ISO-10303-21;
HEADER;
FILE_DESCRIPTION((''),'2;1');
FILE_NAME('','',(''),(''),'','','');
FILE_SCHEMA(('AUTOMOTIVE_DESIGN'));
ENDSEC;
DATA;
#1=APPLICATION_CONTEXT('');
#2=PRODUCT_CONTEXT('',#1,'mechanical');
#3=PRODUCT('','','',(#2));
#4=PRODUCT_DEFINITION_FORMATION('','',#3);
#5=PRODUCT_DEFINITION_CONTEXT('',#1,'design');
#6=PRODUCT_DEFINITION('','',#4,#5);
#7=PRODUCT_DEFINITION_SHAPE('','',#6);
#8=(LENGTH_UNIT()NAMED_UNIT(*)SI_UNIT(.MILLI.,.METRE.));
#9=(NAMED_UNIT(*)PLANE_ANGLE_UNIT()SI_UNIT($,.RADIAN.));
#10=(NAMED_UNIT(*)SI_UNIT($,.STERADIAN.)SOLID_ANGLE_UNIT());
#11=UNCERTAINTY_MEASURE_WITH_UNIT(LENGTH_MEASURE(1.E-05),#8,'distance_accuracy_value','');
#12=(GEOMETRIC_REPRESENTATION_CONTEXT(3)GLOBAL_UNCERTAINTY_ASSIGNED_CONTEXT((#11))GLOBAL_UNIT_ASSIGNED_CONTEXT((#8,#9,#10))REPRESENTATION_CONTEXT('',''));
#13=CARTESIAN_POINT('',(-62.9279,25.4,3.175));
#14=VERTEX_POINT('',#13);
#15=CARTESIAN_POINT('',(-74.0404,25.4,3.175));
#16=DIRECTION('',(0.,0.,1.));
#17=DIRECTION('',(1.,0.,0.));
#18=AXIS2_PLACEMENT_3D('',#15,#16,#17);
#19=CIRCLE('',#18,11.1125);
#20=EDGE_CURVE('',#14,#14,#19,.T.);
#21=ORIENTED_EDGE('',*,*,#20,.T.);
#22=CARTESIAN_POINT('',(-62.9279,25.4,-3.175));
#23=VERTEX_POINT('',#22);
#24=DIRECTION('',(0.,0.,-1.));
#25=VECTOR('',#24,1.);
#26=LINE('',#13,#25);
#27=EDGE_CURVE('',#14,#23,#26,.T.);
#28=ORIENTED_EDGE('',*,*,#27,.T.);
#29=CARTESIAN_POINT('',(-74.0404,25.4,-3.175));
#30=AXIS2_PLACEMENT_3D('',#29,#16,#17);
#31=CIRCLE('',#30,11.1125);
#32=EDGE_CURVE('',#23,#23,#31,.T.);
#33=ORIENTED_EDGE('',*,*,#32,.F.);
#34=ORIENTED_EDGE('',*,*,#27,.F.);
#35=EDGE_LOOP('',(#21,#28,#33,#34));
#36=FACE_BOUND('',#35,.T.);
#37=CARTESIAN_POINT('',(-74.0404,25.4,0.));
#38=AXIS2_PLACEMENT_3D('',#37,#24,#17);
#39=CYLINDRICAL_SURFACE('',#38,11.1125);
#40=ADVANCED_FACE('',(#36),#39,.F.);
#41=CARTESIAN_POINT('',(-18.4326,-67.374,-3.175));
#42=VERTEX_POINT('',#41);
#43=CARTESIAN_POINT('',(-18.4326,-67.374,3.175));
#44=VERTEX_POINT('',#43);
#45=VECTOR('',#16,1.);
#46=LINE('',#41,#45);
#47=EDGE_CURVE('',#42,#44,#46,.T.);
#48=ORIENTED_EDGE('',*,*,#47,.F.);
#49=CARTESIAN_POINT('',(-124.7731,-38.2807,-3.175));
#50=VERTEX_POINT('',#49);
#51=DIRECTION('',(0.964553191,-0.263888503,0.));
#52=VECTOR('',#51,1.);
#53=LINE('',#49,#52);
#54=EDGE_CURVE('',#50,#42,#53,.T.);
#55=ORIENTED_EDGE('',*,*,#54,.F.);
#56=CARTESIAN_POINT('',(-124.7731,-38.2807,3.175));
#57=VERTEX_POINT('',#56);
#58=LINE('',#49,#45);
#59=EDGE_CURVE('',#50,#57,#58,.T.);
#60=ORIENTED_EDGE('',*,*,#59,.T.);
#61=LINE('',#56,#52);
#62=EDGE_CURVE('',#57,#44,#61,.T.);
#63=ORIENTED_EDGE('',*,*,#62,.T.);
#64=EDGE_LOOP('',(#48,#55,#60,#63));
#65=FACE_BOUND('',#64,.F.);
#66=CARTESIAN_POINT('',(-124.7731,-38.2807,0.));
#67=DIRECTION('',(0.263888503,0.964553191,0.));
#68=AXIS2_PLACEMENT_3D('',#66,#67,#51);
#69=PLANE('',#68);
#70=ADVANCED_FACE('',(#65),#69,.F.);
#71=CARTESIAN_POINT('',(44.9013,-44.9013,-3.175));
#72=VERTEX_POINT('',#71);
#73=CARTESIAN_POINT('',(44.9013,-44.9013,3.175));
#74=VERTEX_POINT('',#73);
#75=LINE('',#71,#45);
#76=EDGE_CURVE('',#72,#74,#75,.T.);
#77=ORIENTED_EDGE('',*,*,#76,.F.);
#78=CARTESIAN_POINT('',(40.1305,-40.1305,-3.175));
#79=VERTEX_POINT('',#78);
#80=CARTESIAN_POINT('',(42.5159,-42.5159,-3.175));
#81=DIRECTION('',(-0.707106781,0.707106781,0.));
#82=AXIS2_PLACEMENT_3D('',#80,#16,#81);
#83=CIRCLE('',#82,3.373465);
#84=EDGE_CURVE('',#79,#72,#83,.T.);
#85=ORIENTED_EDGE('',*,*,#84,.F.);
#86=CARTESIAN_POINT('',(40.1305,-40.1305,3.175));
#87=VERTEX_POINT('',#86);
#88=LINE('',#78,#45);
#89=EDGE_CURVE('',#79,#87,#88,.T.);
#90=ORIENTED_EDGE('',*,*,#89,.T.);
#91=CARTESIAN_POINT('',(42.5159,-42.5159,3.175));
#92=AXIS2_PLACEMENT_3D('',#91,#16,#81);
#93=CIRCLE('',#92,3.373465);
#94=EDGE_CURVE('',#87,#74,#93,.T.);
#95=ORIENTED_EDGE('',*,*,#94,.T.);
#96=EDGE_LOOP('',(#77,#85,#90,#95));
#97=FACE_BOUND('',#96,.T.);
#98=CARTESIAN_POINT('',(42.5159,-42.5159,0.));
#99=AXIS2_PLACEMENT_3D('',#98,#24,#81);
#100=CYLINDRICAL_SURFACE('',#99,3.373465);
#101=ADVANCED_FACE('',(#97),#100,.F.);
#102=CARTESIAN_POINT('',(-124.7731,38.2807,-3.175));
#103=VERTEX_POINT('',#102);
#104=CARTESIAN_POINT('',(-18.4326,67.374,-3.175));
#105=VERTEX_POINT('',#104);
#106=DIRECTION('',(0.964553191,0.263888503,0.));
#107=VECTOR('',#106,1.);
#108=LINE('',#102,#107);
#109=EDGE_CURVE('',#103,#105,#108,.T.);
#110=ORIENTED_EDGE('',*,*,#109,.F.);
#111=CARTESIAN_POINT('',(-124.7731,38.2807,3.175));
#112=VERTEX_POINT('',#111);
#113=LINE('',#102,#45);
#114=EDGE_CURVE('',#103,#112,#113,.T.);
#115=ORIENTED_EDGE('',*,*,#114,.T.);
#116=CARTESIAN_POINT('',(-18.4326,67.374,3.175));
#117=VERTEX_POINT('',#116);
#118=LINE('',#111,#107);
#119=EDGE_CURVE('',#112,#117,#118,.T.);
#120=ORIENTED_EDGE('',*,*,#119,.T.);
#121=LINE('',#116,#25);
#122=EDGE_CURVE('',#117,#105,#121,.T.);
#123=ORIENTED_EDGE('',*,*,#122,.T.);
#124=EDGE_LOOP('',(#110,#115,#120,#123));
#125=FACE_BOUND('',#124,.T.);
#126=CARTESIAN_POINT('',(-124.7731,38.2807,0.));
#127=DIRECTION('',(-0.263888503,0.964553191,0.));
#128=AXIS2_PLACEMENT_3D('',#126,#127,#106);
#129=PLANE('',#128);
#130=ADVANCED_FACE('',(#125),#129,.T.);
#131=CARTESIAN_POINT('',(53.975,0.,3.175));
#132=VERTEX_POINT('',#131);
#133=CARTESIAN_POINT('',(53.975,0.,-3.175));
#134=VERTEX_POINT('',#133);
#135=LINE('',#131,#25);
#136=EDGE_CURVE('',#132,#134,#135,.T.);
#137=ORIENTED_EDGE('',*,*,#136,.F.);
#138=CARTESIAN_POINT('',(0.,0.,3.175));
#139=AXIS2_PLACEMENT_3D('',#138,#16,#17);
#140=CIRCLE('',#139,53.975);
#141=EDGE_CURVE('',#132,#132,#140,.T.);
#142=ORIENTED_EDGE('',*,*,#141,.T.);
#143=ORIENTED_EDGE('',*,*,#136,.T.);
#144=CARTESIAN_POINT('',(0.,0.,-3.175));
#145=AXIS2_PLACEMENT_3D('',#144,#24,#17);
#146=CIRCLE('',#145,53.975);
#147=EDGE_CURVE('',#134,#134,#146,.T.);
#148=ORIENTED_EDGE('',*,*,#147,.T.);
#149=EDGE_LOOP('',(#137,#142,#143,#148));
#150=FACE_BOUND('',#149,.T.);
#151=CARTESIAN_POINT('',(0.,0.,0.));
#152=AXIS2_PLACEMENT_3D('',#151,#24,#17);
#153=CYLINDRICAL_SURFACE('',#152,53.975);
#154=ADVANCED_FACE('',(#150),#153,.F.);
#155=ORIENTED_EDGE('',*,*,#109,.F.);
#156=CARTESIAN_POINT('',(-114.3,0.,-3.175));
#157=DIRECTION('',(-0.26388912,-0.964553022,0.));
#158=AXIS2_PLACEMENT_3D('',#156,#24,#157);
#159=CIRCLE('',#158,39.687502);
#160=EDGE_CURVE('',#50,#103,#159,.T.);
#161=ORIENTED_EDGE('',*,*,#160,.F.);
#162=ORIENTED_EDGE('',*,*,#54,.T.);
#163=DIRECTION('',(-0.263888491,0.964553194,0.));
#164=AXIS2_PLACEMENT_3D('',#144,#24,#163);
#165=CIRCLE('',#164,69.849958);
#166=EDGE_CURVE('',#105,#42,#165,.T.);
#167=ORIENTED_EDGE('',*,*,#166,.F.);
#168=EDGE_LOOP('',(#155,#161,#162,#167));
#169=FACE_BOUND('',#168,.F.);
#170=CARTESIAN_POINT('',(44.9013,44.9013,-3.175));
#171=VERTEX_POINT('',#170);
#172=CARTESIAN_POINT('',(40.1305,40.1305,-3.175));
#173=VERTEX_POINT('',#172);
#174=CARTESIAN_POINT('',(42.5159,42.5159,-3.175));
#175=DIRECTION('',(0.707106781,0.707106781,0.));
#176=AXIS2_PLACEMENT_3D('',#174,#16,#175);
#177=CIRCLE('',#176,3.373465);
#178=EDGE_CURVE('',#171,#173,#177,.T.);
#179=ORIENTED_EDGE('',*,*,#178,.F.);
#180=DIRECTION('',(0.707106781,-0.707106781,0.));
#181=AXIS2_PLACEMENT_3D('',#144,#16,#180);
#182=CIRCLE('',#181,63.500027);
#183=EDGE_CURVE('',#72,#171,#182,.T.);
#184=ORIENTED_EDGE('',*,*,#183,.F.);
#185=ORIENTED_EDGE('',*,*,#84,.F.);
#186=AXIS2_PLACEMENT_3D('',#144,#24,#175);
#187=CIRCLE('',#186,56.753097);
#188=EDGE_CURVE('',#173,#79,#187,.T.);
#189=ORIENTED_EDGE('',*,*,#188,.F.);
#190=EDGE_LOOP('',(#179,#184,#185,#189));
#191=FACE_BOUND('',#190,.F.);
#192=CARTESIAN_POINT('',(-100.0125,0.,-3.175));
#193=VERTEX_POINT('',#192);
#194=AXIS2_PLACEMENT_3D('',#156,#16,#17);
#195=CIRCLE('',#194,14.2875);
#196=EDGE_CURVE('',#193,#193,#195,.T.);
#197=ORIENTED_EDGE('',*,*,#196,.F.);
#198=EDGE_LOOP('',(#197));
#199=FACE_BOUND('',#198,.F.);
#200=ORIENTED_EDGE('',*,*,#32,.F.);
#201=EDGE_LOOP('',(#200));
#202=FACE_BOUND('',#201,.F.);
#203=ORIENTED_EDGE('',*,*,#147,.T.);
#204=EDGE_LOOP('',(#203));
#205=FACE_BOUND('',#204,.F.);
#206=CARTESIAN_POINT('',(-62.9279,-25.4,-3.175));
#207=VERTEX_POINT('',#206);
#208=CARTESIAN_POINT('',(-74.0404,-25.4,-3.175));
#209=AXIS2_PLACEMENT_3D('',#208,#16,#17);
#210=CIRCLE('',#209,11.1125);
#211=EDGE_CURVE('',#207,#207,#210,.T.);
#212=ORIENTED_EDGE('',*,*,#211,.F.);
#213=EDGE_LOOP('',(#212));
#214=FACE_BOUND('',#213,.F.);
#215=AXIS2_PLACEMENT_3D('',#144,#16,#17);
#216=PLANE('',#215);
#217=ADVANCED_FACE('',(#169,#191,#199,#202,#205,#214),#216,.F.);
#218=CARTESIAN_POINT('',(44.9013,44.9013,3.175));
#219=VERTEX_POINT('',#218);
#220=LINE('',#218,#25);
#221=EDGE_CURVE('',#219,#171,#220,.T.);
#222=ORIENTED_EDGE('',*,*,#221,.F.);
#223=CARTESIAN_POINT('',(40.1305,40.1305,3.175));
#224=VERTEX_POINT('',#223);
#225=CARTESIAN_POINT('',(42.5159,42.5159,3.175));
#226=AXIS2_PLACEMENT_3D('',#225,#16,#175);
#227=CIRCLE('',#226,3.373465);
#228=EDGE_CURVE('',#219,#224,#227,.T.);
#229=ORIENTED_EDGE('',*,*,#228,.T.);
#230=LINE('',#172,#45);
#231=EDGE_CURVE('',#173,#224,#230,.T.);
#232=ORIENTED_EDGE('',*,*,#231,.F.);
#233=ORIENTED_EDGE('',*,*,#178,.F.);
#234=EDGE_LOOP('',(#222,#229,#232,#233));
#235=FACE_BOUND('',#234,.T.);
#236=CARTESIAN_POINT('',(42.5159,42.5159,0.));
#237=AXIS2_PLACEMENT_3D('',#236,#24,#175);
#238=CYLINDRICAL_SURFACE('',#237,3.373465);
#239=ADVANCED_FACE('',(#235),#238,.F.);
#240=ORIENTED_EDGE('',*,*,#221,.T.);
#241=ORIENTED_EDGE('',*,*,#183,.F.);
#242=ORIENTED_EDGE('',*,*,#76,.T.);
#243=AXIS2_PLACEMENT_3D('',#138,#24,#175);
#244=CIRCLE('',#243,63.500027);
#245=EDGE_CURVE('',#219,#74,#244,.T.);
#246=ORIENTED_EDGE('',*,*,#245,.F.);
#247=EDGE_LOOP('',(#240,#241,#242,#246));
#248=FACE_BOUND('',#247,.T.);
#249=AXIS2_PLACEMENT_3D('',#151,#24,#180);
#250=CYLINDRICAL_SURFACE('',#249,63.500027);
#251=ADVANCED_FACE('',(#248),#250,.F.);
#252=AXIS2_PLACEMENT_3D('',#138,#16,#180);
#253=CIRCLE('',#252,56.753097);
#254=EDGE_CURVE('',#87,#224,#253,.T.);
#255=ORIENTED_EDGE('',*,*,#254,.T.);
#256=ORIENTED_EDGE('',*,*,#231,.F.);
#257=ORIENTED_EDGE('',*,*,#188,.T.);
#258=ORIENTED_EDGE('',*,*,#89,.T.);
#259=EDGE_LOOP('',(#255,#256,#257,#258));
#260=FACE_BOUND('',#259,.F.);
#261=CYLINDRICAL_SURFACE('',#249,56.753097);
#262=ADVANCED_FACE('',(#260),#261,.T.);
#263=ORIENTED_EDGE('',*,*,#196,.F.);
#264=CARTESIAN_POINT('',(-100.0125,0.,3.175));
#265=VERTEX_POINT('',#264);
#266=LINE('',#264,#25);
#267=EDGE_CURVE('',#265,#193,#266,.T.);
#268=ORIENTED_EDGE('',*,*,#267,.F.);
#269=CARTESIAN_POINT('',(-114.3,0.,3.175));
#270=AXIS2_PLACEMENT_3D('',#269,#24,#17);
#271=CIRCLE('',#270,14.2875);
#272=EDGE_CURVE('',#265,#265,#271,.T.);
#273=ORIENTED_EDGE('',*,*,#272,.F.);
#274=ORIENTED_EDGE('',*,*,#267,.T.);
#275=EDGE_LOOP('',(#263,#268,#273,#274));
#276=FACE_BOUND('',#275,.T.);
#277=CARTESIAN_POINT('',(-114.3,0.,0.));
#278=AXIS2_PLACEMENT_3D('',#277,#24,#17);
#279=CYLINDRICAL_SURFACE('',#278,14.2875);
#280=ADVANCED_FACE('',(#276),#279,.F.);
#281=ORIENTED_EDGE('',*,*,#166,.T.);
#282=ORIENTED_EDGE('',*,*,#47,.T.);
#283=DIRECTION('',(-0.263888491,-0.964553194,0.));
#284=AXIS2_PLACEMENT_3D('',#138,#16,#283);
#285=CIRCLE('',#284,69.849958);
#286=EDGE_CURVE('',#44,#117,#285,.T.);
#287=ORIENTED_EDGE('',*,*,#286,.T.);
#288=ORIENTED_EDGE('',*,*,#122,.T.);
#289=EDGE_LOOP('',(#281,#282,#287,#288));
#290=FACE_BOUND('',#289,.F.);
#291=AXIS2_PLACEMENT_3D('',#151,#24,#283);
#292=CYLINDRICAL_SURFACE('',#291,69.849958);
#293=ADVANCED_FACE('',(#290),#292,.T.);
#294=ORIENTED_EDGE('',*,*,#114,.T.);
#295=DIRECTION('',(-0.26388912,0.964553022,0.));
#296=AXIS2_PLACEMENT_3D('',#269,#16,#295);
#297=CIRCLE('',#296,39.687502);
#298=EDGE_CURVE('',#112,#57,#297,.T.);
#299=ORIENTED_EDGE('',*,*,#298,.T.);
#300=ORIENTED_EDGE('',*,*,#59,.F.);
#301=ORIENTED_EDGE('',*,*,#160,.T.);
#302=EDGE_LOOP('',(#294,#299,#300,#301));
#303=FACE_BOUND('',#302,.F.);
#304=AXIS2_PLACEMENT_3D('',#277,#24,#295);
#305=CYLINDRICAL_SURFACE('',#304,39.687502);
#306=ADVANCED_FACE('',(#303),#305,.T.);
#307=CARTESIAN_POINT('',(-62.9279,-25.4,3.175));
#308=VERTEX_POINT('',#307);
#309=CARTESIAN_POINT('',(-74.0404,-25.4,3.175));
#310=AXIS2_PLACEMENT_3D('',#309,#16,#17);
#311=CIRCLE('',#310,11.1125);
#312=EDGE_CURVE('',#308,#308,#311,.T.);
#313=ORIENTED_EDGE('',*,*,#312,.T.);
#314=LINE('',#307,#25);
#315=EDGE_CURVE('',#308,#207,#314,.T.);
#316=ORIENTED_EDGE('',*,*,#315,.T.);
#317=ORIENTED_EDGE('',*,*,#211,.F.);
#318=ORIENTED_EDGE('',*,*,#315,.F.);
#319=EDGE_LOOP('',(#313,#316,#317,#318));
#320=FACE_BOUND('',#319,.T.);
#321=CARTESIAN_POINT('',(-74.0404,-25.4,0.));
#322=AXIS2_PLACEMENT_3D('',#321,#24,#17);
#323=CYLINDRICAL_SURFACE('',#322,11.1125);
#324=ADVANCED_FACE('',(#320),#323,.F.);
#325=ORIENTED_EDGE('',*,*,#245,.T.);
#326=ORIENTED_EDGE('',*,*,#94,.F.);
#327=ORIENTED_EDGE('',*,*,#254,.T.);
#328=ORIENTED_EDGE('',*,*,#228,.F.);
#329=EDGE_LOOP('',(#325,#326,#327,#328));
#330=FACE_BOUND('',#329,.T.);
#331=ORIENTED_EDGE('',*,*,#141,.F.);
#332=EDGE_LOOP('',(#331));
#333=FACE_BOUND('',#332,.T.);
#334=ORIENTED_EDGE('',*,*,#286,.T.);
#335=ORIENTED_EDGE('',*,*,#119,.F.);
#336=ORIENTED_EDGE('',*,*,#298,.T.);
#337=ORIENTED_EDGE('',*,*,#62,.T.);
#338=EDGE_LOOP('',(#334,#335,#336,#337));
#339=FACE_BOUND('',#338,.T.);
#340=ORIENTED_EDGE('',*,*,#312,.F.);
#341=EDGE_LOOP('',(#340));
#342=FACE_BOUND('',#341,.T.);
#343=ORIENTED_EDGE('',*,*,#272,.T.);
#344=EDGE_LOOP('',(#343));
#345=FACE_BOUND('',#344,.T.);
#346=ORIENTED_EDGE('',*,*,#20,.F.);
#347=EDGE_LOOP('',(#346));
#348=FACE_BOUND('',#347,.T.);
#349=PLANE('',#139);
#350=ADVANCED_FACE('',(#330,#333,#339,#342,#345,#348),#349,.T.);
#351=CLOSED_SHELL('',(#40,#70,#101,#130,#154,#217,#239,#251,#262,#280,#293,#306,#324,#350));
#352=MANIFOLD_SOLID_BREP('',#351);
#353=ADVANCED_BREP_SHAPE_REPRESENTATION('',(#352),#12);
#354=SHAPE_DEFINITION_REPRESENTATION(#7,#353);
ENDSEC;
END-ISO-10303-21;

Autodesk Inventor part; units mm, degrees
ref_plane "YZ Plane" through (0, 0, 0) normal (1, 0, 0) x (0, 1, 0)
ref_plane "XZ Plane" through (0, 0, 0) normal (0, 1, 0) x (-1, 0, 0)
ref_plane "XY Plane" through (0, 0, 0) normal (0, 0, 1) x (1, 0, 0)
sketch "Sketch1" plane through (0, 0, 0) normal (0, 0, 1) x (1, 0, 0)
  line L0 (-198.755, 0) -> (114.6175, 0) projected
  line L1 (0, -97.79) -> (0, 97.79) projected
  circle A0 centre (0, 0) radius 50.8 construction
  arc A1 (-18.4326, -67.374) -> (-18.4326, 67.374) centre (0, 0) ccw
  arc A2 (44.9013, -44.9013) -> (44.9013, 44.9013) centre (0, 0) ccw
  arc A3 (40.1305, -40.1305) -> (40.1305, 40.1305) centre (0, 0) ccw
  line L2 (0, 0) -> (44.9013, 44.9013) construction
  line L3 (0, 0) -> (44.9013, -44.9013) construction
  arc A4 (44.9013, 44.9013) -> (40.1305, 40.1305) centre (42.5159, 42.5159) ccw
  arc A5 (40.1305, -40.1305) -> (44.9013, -44.9013) centre (42.5159, -42.5159) ccw
  circle A6 centre (-114.3, 0) radius 14.2875
  arc A7 (-124.7731, 38.2807) -> (-124.7731, -38.2807) centre (-114.3, 0) ccw
  line L4 (-114.3, -14.2875) -> (-114.3, 14.2875) construction
  line L5 (-124.7731, 38.2807) -> (-18.4326, 67.374)
  line L6 (-124.7731, -38.2807) -> (-18.4326, -67.374)
  circle A8 centre (-74.0404, 25.4) radius 11.1125
  circle A9 centre (-74.0404, -25.4) radius 11.1125
  circle A10 centre (0, 0) radius 19.05
  circle A11 centre (0, 0) radius 53.975
  dimension "d0" = 101.6
  dimension "d1" = 19.05
  dimension "d2" = 6.7469
  dimension "d3" = 6.35
  dimension "d6" = 28.575
  dimension "d7" = 25.4
  dimension "d9" = 22.225
  dimension "d10" = 38.1
  dimension "d11" = 45
  dimension "d12" = 45
  dimension "d13" = 3.175
  dimension "d14" = 114.3
extrude "Extrusion1" add sketch "Sketch1" along normal mid plane 6.35 contours A11 L1 A1 L0 A2 A4 A3 | L0 A3 A5 A2 A1 L1 A11 | A11 L0 A6 A7 L5 A1 L1 | L1 A1 L6 A7 L0 A6 A11
properties part number "back plate"
